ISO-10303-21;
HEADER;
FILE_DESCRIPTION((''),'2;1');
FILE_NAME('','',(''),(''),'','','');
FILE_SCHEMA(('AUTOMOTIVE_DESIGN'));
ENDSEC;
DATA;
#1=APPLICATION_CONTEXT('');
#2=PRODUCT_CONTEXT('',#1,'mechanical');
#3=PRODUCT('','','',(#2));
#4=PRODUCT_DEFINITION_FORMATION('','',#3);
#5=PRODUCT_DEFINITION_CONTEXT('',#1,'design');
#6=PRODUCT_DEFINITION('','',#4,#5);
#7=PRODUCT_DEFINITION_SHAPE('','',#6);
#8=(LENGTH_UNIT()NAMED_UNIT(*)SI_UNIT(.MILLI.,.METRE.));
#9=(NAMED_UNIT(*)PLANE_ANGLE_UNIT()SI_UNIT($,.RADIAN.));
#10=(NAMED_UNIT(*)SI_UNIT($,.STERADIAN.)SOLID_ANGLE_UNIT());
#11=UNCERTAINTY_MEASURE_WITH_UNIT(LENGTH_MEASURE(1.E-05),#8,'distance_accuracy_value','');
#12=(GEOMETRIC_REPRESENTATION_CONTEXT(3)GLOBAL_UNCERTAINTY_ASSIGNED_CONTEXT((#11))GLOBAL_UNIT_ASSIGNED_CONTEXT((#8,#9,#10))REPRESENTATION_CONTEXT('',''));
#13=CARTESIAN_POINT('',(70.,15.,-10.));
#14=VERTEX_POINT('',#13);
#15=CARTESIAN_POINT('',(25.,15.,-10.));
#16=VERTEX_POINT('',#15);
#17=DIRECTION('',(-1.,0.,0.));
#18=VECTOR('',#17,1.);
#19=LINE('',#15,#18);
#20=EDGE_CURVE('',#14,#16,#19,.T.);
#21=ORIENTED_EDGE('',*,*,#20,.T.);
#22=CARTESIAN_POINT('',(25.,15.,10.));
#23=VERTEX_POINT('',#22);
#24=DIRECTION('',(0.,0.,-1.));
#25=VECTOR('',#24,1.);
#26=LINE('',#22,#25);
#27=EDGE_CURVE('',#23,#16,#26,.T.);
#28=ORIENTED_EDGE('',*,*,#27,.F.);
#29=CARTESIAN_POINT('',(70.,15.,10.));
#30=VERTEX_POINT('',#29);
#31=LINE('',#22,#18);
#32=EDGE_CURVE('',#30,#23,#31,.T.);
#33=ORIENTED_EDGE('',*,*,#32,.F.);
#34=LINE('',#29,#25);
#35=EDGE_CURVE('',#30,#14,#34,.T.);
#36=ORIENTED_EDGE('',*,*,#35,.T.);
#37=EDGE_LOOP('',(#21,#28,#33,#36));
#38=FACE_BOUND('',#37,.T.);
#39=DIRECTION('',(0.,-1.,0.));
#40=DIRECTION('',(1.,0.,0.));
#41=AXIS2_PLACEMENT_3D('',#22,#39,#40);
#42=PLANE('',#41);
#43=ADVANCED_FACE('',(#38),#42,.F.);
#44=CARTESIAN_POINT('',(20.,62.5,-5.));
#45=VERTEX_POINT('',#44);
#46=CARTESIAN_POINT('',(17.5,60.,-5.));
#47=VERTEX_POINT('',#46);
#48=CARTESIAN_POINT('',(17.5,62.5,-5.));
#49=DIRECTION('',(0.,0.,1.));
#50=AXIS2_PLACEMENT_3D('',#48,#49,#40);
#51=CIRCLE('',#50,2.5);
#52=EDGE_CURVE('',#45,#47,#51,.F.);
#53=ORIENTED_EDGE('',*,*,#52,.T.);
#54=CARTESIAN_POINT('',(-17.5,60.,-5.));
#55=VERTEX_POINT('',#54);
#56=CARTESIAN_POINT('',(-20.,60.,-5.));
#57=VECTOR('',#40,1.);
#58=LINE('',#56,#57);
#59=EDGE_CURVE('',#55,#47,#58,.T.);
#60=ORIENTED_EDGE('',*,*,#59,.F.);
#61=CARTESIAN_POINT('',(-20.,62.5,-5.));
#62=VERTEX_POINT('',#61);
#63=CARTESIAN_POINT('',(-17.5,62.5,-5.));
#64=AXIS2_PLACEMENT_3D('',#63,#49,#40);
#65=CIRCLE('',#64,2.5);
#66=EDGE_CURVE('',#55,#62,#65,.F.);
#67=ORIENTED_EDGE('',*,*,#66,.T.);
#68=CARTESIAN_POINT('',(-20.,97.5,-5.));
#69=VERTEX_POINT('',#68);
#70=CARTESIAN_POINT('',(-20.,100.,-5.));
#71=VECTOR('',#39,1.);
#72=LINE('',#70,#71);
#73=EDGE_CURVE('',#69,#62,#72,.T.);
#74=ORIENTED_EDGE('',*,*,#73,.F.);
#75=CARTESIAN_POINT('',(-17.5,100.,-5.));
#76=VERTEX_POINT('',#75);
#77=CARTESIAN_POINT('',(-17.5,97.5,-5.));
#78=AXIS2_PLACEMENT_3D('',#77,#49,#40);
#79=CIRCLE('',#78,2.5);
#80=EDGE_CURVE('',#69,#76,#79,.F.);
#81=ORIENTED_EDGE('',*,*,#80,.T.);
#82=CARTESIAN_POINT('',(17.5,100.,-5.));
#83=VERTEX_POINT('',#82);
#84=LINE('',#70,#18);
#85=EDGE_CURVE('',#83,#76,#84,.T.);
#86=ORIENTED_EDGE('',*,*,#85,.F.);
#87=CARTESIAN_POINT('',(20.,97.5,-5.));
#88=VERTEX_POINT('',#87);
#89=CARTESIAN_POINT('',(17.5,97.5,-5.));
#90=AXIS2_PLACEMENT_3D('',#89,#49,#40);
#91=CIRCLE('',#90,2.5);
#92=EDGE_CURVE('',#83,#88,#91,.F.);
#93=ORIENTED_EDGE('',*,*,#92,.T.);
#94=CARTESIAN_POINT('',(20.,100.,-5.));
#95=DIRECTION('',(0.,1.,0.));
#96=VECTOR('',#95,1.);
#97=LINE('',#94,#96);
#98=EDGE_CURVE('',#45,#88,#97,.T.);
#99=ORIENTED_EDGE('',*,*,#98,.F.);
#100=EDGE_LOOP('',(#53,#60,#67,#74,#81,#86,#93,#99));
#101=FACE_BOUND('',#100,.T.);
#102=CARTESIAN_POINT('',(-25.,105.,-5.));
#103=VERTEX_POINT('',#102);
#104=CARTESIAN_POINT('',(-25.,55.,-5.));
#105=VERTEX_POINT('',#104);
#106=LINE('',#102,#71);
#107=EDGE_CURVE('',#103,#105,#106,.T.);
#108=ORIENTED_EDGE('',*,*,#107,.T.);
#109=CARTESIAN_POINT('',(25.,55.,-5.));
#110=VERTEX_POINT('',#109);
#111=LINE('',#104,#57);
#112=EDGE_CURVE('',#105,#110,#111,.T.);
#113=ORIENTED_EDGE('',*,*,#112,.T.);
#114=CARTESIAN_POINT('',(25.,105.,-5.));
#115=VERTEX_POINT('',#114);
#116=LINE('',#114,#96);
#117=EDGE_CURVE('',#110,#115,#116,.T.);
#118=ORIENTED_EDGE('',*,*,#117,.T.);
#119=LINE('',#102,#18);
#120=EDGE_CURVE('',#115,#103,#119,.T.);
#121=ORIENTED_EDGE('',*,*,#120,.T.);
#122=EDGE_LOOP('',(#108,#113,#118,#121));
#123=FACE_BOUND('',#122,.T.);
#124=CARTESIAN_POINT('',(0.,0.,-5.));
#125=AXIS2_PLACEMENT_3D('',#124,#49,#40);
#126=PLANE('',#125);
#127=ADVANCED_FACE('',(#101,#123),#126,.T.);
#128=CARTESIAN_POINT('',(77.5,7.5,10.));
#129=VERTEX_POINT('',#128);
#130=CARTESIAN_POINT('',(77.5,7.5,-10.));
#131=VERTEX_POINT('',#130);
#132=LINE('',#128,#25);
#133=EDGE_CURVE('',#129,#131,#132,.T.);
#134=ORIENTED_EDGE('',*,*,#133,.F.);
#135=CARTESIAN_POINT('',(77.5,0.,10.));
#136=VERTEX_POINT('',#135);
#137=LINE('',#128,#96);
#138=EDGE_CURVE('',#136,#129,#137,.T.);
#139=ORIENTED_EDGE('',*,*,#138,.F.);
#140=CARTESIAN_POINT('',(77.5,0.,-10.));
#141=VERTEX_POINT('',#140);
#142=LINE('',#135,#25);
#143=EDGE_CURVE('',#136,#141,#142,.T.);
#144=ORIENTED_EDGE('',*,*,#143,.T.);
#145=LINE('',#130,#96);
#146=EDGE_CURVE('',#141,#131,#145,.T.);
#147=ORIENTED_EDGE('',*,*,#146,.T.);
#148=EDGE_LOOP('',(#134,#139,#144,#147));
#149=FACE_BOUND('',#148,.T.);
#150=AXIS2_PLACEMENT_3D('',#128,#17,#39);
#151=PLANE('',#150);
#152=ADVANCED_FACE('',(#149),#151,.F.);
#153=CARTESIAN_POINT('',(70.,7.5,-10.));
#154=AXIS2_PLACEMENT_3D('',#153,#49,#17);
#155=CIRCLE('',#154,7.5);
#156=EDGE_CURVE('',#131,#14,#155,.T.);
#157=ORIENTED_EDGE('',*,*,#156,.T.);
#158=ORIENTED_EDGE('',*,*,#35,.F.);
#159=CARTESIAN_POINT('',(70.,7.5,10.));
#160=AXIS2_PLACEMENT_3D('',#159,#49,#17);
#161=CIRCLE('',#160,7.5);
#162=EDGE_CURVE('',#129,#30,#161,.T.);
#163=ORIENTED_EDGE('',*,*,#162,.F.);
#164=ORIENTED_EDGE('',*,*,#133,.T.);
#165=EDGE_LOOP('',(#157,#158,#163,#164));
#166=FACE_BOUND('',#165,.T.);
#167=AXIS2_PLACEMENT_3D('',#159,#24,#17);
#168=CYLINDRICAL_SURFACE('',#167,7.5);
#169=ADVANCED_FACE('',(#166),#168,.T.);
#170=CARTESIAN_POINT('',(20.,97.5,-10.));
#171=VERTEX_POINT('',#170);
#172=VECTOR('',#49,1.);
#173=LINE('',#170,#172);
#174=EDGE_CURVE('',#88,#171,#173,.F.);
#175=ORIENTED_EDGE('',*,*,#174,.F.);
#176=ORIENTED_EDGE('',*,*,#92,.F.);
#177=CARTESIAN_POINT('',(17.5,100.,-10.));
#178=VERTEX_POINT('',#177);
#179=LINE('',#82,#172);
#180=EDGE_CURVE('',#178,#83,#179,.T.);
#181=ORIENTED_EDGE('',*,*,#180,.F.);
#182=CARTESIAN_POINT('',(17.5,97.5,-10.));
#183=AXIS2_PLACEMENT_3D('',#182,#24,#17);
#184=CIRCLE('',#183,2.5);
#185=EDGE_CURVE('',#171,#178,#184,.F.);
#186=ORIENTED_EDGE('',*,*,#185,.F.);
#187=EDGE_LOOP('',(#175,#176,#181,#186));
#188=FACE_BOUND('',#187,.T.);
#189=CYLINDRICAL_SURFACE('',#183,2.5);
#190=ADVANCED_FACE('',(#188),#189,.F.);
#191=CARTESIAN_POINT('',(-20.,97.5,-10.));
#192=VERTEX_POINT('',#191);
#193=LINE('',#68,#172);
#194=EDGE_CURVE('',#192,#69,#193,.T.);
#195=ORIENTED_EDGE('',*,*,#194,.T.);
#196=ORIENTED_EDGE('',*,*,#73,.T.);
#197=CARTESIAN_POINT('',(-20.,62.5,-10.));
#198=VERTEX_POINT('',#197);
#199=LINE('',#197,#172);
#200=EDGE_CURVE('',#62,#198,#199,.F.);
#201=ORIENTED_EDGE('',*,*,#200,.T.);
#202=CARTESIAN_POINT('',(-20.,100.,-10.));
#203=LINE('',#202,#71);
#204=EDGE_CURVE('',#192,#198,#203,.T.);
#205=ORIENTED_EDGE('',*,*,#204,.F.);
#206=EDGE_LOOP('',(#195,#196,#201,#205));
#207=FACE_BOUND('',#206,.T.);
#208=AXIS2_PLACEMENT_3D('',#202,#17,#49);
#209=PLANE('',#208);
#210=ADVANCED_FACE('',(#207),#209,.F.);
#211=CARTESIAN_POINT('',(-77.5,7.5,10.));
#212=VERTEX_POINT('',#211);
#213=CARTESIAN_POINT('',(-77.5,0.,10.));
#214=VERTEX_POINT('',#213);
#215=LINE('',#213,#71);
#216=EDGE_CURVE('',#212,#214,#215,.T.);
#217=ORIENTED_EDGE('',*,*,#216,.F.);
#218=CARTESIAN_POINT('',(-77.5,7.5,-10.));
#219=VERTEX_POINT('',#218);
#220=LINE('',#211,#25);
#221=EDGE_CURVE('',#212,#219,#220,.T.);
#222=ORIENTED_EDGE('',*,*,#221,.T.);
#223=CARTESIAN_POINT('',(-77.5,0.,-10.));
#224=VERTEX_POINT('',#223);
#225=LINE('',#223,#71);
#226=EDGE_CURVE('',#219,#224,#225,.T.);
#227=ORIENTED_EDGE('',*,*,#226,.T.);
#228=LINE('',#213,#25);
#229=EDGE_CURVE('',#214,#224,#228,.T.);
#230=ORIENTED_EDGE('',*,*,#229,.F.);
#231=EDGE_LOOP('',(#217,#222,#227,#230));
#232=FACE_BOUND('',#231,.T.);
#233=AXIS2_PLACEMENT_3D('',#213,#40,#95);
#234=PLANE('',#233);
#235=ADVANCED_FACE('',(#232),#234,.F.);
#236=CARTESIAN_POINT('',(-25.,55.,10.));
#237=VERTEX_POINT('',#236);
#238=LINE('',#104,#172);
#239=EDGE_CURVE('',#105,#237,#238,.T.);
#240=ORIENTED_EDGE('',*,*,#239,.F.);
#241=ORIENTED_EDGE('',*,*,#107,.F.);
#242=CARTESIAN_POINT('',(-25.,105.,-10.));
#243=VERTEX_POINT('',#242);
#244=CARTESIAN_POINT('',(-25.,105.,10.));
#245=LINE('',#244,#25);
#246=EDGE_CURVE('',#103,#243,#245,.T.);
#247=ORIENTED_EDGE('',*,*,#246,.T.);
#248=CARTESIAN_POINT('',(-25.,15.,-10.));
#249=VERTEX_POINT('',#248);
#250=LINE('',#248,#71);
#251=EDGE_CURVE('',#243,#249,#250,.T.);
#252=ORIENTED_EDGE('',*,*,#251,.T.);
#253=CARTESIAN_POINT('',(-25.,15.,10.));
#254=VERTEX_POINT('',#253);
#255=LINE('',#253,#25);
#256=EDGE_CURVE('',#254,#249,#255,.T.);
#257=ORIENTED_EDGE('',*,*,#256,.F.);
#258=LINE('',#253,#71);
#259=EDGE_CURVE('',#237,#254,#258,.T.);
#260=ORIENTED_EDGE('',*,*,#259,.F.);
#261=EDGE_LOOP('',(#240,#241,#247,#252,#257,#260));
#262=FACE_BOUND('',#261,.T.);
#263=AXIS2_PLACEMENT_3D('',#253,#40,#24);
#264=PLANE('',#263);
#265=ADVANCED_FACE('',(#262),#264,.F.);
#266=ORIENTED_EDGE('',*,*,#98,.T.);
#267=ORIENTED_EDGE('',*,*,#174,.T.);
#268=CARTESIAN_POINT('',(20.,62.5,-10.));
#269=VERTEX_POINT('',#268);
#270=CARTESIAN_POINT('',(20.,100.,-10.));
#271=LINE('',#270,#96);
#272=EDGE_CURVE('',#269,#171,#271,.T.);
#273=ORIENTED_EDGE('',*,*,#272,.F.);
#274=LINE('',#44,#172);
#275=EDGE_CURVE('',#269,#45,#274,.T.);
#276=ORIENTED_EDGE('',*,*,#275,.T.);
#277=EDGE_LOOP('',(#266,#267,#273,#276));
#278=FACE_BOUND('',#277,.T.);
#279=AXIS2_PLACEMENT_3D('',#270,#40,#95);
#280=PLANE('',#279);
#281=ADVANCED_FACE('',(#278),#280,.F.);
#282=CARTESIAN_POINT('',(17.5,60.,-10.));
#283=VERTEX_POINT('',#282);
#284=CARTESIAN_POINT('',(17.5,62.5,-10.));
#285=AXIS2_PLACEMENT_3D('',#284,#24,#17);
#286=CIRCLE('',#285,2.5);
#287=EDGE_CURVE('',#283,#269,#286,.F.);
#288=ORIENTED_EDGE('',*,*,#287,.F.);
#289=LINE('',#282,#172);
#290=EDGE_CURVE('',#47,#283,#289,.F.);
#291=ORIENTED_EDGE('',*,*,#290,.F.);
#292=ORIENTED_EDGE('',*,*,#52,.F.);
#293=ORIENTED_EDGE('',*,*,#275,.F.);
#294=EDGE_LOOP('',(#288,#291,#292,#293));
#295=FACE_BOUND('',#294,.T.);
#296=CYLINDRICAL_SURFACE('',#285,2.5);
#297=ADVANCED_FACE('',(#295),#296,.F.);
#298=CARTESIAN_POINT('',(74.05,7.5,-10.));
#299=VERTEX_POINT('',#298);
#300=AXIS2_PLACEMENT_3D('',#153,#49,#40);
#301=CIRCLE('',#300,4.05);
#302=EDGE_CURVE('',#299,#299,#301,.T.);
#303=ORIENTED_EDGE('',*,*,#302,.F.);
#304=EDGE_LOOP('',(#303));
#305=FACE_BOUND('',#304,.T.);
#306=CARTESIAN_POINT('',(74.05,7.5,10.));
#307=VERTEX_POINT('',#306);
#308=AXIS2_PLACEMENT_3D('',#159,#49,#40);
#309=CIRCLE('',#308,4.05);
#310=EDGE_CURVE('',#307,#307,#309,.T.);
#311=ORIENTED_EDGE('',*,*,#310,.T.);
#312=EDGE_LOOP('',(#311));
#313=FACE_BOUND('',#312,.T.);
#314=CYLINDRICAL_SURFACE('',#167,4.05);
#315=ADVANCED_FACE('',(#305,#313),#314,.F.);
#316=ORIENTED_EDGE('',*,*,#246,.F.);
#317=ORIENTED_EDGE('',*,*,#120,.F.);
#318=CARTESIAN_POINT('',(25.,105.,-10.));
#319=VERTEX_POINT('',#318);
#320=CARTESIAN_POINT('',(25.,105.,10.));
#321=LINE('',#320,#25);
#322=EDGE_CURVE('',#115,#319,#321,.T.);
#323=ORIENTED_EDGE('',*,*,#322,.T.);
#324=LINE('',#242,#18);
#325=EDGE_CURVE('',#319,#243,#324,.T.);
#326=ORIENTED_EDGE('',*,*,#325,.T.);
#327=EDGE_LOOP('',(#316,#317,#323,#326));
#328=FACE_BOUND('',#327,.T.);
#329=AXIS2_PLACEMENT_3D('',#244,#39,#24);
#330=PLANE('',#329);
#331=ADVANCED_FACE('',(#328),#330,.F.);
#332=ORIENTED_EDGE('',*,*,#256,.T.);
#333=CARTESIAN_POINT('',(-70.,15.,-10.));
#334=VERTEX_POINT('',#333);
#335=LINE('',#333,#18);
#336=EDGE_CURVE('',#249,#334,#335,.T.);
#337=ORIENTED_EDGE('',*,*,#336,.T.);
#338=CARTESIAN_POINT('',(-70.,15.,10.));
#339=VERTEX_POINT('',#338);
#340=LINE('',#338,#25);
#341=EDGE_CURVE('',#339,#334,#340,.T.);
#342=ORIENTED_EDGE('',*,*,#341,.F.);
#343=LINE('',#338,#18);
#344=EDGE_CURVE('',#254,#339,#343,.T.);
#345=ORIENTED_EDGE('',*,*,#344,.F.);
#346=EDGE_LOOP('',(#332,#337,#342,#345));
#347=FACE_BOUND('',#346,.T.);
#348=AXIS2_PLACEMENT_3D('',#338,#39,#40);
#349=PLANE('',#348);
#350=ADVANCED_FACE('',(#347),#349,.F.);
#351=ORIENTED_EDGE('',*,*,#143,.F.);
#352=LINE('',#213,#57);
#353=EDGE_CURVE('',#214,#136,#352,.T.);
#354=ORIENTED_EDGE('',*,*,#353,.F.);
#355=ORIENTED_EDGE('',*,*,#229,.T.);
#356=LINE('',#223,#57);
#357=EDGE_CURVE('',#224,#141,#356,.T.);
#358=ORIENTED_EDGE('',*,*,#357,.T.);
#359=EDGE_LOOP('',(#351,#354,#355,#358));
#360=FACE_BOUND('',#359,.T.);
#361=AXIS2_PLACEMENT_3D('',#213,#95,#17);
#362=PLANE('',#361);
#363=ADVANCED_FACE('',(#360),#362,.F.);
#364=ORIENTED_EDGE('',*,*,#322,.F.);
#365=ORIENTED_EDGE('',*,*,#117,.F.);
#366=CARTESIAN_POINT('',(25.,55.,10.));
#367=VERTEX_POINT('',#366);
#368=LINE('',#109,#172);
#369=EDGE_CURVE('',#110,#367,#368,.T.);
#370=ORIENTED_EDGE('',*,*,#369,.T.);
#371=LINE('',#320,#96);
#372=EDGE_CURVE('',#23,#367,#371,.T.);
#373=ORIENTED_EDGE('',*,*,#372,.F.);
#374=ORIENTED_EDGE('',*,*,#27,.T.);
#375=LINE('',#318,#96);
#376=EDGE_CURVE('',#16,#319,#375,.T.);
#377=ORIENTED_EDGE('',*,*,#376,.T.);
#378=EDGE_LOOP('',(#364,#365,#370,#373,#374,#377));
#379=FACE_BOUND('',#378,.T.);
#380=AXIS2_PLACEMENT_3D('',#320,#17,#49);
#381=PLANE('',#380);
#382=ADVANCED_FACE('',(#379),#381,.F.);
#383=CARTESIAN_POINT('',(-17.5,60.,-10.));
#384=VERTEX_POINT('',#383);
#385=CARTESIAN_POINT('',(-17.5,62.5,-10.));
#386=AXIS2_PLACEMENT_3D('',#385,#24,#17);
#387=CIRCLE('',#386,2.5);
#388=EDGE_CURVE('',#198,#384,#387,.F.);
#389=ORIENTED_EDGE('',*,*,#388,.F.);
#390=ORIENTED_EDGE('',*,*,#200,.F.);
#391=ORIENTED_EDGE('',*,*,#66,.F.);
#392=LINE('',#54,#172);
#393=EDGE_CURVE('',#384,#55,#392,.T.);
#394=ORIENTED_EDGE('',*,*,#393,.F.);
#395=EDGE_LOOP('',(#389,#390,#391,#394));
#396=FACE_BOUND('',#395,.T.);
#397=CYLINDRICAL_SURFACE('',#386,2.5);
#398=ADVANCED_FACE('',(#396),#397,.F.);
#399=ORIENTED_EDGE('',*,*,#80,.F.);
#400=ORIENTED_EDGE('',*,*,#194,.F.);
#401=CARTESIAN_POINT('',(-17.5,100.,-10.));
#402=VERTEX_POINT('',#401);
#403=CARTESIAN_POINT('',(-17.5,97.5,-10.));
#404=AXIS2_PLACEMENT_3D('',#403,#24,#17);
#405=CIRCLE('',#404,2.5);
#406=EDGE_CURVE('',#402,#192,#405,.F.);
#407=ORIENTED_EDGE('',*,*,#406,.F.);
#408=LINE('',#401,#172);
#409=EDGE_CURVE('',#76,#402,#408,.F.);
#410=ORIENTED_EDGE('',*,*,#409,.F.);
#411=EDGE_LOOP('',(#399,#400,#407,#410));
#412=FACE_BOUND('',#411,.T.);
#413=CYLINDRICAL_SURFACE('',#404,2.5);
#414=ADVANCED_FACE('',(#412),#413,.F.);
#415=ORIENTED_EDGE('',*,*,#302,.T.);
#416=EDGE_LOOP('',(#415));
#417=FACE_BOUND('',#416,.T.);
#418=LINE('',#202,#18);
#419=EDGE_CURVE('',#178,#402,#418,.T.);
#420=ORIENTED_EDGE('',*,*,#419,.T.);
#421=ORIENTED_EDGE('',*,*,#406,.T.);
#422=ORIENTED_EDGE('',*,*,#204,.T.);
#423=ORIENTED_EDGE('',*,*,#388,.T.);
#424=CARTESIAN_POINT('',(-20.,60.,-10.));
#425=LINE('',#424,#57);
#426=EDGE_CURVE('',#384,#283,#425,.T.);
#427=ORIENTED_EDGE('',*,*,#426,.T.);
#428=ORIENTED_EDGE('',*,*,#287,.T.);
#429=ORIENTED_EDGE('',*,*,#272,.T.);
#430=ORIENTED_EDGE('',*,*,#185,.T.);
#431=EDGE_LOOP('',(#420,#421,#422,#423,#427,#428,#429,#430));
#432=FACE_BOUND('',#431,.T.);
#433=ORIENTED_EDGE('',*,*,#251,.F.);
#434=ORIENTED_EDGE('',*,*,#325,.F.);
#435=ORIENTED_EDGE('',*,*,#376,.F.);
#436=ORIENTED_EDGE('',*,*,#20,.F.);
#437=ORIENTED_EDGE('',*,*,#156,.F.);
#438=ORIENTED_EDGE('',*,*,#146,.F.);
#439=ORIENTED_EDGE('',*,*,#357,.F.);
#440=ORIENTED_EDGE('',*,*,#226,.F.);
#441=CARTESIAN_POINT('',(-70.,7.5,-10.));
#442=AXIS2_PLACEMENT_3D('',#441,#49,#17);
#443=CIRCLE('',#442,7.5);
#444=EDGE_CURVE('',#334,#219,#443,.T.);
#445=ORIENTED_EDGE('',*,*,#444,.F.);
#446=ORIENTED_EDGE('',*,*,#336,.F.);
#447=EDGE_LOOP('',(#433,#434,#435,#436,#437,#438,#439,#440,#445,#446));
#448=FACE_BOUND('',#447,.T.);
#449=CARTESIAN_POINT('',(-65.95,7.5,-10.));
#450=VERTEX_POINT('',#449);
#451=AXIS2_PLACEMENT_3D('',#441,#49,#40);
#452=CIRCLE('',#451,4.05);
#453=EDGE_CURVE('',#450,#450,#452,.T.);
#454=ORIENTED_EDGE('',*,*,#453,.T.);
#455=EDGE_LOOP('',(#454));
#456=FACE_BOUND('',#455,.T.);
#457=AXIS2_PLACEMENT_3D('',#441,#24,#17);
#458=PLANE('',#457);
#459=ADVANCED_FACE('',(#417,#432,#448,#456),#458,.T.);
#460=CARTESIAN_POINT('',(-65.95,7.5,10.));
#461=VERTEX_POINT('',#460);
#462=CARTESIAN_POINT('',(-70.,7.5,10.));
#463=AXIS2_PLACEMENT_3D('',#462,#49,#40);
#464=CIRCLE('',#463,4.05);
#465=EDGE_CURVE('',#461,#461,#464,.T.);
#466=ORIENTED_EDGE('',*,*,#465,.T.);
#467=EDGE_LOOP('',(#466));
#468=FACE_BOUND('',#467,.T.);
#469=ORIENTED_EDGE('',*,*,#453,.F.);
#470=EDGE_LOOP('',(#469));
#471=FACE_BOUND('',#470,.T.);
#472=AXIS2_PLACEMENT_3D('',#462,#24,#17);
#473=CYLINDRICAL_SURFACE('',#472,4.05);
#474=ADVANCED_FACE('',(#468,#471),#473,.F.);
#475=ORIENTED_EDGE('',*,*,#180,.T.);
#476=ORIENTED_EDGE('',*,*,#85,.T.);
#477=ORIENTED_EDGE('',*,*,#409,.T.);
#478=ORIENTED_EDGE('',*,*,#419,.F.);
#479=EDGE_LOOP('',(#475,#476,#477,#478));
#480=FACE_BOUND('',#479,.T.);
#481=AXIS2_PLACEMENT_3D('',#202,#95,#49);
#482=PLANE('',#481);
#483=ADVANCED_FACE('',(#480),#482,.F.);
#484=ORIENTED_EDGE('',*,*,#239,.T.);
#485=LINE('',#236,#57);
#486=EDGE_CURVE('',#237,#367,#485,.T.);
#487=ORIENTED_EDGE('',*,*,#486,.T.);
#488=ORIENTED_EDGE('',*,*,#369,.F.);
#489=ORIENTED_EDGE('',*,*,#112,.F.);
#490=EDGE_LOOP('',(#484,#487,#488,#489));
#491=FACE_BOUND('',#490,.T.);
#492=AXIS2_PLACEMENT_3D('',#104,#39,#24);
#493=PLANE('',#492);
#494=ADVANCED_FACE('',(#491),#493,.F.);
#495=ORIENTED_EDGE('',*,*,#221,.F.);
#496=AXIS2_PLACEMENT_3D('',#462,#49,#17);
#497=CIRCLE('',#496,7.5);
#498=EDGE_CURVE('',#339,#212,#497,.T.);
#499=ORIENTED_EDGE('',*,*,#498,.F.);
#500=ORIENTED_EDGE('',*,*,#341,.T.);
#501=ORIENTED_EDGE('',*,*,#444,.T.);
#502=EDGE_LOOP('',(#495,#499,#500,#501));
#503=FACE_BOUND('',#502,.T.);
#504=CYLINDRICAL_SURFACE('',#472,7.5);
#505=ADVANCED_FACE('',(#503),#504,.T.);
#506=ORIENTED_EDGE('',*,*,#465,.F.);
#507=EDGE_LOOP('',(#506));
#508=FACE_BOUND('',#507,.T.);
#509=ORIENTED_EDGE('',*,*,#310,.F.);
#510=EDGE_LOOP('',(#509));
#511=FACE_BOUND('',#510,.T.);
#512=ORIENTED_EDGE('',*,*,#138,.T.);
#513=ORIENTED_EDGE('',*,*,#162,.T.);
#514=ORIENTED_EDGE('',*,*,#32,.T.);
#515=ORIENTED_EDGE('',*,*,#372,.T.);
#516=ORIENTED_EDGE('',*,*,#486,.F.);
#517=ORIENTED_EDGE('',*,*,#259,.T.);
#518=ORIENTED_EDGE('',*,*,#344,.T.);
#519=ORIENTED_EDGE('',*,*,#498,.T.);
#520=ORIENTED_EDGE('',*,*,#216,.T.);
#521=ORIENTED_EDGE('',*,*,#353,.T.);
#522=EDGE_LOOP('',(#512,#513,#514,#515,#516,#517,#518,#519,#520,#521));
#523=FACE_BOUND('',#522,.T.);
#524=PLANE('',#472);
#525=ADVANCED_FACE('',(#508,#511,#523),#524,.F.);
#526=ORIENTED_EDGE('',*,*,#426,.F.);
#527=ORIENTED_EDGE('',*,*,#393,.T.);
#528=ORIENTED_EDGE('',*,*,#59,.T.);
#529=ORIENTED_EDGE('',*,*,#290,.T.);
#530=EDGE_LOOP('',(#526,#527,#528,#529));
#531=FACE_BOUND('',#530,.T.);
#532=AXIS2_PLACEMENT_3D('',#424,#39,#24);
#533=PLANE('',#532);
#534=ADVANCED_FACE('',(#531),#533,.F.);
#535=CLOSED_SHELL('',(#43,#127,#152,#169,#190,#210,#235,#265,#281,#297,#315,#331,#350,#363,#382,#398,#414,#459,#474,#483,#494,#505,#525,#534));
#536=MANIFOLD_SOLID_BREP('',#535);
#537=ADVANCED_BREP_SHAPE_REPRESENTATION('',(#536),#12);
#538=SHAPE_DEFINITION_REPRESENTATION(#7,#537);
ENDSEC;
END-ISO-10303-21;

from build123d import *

# Parameters (mm, degrees)
SKETCH1_R           = 4.05
BOSS_EXTRUDE1_DEPTH = 10
SKETCH3_W           = 50
SKETCH3_H           = 50
CUT_EXTRUDE2_DEPTH  = 15
SKETCH4_W           = 40
SKETCH4_H           = 40
CUT_EXTRUDE3_DEPTH  = 132.363046554
FILLET1_R           = 2.5


with BuildPart() as part:
    # Sketch1 → Boss-Extrude1 (new, symmetric)
    with BuildSketch(Plane.XY):
        with BuildLine():
            Line((-77.5, 0), (77.5, 0))
            Line((77.5, 0), (77.5, 7.5))
            ThreePointArc((77.5, 7.5), (75.303300859, 12.803300859), (70, 15))
            Line((70, 15), (25, 15))
            Line((25, 15), (25, 105))
            Line((25, 105), (-25, 105))
            Line((-25, 105), (-25, 15))
            Line((-25, 15), (-70, 15))
            ThreePointArc((-70, 15), (-75.303300859, 12.803300859), (-77.5, 7.5))
            Line((-77.5, 7.5), (-77.5, 0))
        make_face()
        with Locations((-70, 7.5)):
            Circle(SKETCH1_R, mode=Mode.SUBTRACT)
        with Locations((70, 7.5)):
            Circle(SKETCH1_R, mode=Mode.SUBTRACT)
    extrude(amount=BOSS_EXTRUDE1_DEPTH, both=True)

    # Sketch3 → Cut-Extrude2 (cut)
    with BuildSketch(Plane.XY.offset(10)):
        with Locations((0, 80)):
            Rectangle(SKETCH3_W, SKETCH3_H)
    extrude(amount=-CUT_EXTRUDE2_DEPTH, mode=Mode.SUBTRACT)

    # Sketch4 → Cut-Extrude3 (cut, through all)
    with BuildSketch(Plane.XY.offset(-5)):
        with Locations((0, 80)):
            Rectangle(SKETCH4_W, SKETCH4_H)
    extrude(amount=-CUT_EXTRUDE3_DEPTH, mode=Mode.SUBTRACT)

    # Fillet1
    fillet1_edges = [part.edges().sort_by_distance(p)[0] for p in [
        (-20, 60, -7.5),
        (-20, 100, -7.5),
        (20, 100, -7.5),
        (20, 60, -7.5),
    ]]
    fillet(fillet1_edges, radius=FILLET1_R)


solid = part.part
